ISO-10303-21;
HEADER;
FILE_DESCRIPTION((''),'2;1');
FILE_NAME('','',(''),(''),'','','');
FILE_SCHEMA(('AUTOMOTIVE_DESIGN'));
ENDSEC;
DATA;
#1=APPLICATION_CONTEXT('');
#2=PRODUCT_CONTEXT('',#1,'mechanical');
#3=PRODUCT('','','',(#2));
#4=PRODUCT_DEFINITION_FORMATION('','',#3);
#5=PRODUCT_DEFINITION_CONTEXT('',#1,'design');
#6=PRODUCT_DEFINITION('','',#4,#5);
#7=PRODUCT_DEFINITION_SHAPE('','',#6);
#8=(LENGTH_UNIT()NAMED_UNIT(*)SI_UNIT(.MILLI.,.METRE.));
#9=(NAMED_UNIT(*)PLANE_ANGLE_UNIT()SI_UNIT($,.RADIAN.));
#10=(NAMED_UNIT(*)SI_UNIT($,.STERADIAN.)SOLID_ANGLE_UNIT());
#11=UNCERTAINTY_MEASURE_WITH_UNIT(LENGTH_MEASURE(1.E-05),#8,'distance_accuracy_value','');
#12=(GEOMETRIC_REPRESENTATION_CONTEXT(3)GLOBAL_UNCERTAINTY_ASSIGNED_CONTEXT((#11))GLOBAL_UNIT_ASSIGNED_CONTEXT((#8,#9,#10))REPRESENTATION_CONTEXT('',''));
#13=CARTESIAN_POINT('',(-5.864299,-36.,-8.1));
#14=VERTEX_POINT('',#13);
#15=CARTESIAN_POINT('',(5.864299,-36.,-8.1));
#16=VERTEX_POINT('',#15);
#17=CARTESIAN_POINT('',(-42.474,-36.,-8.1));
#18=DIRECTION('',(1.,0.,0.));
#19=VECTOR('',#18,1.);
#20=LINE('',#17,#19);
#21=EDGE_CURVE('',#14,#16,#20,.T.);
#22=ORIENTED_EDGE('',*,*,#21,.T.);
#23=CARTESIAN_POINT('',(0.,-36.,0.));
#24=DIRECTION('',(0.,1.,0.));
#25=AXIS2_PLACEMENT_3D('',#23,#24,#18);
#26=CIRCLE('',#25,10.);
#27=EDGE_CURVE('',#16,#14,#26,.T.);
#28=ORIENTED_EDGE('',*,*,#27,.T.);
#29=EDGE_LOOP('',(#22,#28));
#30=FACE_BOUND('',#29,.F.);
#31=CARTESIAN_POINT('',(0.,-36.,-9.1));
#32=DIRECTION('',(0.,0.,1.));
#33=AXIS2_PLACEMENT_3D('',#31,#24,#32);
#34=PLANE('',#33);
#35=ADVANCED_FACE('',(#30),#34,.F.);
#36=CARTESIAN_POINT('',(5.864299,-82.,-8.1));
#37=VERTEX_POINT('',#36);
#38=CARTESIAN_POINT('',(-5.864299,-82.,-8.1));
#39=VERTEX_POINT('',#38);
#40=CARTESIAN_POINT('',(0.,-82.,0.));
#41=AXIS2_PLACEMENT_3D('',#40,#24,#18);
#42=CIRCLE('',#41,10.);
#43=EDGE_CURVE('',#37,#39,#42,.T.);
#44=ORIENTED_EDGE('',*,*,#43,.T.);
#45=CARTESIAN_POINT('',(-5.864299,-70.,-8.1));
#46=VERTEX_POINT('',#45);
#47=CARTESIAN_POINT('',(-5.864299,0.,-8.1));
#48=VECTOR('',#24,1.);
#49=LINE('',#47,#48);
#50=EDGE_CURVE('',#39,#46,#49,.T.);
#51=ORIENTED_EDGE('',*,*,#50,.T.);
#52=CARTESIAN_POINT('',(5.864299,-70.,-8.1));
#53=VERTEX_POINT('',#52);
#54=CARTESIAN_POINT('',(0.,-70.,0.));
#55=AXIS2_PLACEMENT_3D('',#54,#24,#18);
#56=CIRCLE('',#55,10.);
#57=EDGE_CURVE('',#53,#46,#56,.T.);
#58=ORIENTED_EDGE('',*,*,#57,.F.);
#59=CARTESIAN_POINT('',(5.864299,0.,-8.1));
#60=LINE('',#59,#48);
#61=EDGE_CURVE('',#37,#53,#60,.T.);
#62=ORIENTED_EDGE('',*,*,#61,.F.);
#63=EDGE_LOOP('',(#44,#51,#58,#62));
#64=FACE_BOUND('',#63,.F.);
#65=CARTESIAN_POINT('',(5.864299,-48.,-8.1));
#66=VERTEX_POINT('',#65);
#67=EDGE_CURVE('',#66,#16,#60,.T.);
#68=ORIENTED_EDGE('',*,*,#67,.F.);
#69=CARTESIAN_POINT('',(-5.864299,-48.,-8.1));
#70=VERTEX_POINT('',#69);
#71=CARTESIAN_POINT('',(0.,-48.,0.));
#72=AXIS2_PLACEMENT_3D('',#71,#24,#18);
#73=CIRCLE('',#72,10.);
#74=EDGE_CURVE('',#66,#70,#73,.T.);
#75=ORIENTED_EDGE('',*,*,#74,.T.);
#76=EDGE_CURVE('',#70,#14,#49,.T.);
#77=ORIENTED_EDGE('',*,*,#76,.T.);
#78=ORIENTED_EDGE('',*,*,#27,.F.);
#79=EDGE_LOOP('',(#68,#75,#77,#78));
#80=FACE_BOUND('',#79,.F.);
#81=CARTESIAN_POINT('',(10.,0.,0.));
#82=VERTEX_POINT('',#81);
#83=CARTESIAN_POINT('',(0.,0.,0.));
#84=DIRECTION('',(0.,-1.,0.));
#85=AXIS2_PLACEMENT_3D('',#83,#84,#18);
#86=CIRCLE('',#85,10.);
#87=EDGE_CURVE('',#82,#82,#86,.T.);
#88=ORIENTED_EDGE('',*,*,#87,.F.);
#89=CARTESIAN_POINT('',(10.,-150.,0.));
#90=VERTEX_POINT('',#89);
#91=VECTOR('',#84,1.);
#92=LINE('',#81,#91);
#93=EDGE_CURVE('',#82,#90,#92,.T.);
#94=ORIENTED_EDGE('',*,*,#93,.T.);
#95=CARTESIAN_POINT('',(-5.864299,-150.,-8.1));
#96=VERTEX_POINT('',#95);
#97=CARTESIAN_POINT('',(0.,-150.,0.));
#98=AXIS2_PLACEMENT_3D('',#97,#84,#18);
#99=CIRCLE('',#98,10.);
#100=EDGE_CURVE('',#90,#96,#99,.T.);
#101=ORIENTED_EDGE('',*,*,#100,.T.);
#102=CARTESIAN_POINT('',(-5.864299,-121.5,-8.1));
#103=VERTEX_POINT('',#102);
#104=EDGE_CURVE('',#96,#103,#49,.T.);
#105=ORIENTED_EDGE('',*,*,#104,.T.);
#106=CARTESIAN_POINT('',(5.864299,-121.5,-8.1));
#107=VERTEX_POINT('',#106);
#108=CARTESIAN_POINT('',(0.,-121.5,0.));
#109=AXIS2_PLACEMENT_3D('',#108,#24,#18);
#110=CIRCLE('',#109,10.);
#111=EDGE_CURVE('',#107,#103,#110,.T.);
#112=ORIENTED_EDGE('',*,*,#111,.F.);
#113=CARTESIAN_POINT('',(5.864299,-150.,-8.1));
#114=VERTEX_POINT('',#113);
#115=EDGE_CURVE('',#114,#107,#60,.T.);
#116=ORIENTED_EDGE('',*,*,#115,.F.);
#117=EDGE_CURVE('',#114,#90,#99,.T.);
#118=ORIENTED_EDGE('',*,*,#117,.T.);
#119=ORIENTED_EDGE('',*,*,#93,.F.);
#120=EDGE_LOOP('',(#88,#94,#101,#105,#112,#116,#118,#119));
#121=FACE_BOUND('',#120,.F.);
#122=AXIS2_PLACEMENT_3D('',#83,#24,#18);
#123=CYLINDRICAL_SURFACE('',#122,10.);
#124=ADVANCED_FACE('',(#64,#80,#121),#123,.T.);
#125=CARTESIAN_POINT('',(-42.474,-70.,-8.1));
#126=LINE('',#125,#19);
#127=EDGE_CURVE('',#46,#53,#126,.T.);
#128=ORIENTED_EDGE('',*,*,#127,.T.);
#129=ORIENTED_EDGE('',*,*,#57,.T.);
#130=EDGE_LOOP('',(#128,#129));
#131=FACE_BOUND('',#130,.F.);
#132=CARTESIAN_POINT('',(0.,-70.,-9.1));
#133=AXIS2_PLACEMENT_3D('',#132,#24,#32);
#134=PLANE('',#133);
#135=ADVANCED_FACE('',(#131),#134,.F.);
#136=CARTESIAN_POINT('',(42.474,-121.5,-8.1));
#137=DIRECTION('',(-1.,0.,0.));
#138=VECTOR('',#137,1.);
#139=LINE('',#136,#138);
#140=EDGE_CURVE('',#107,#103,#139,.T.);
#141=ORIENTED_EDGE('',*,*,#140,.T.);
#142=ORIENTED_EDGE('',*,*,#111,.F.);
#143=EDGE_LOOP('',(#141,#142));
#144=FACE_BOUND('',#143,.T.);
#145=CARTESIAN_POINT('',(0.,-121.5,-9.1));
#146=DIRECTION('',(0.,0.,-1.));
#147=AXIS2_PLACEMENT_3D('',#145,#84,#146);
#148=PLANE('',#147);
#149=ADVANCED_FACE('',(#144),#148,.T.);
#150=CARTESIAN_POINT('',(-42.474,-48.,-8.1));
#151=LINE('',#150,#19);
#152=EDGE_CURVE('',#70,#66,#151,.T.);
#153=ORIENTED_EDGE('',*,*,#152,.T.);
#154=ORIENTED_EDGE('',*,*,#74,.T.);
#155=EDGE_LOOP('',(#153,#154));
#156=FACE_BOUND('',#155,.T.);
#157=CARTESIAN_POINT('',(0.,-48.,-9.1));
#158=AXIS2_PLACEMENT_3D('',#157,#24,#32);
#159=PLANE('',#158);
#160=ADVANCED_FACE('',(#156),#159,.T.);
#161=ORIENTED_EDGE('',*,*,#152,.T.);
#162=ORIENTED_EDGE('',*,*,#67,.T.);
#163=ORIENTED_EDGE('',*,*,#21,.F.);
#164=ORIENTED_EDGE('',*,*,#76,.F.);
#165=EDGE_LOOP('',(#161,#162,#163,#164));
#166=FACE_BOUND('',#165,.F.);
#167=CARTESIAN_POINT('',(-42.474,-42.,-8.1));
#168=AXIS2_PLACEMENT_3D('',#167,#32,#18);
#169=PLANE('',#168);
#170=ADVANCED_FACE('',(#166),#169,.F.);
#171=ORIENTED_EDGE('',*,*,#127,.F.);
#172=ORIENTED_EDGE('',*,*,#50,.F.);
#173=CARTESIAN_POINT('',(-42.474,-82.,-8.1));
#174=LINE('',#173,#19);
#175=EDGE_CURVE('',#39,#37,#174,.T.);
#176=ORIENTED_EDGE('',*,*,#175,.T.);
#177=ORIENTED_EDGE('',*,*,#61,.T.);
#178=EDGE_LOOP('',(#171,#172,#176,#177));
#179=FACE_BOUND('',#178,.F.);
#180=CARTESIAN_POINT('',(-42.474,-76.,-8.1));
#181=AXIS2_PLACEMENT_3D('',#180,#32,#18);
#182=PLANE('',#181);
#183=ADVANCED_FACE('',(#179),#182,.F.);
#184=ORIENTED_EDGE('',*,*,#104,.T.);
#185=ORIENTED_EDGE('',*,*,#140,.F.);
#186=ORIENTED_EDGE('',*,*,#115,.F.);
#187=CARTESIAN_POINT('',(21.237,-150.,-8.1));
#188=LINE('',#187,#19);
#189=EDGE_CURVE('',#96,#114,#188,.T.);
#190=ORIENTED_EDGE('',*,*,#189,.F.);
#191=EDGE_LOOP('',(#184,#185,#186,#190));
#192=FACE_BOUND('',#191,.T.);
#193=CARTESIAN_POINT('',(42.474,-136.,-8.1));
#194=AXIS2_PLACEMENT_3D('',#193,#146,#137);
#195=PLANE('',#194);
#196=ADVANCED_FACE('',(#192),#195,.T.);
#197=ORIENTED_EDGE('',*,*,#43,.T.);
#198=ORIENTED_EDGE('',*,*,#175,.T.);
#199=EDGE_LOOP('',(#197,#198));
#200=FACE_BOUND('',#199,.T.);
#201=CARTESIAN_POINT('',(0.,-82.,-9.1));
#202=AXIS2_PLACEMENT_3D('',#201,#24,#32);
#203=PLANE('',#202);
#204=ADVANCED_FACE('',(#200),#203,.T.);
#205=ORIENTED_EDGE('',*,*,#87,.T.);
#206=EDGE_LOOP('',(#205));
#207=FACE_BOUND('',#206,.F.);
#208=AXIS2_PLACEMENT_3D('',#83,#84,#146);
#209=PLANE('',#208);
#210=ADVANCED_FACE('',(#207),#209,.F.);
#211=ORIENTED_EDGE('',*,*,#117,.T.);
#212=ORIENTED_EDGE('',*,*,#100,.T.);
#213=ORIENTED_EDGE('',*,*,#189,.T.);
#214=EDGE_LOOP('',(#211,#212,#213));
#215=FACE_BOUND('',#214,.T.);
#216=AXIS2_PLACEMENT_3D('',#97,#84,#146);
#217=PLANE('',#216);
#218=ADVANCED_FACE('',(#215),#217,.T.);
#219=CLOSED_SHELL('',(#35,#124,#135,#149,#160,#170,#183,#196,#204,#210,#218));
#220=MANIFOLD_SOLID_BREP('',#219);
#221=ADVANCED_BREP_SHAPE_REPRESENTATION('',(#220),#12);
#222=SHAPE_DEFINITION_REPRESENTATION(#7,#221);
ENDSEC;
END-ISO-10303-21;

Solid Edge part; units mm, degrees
sketch "Sketch1" plane through (0, 0, 0) normal (0, -1, 0) x (1, 0, 0)
  circle A0 centre (0, 0) radius 10
extrude "Extrusionsausprägung_15" add sketch "Sketch1" along normal blind 150
sketch "Sketch2" plane through (0, -136, 0) normal (0, -1, 0) x (-1, 0, 0)
  line L0 (42.474, 10.1) -> (-42.474, 10.1)
  line L1 (-42.474, 10.1) -> (-42.474, 8.1)
  line L2 (-42.474, 8.1) -> (42.474, 8.1)
  line L3 (42.474, 8.1) -> (42.474, 10.1)
extrude "Extrusionsausschnitt_23" cut sketch "Sketch2" along normal mid plane 29
sketch "Sketch3" plane through (0, -76, 0) normal (0, -1, 0) x (-1, 0, 0)
  line L0 (-42.474, 10.1) -> (42.474, 10.1)
  line L1 (42.474, 10.1) -> (42.474, 8.1)
  line L2 (42.474, 8.1) -> (-42.474, 8.1)
  line L3 (-42.474, 8.1) -> (-42.474, 10.1)
extrude "Extrusionsausprägung_16" cut sketch "Sketch3" along normal mid plane 12
sketch "Sketch4" plane through (0, -42, 0) normal (0, -1, 0) x (-1, 0, 0)
  line L0 (-42.474, 10.1) -> (42.474, 10.1)
  line L1 (42.474, 10.1) -> (42.474, 8.1)
  line L2 (42.474, 8.1) -> (-42.474, 8.1)
  line L3 (-42.474, 8.1) -> (-42.474, 10.1)
extrude "Extrusionsausschnitt_25" cut sketch "Sketch4" along normal mid plane 12
